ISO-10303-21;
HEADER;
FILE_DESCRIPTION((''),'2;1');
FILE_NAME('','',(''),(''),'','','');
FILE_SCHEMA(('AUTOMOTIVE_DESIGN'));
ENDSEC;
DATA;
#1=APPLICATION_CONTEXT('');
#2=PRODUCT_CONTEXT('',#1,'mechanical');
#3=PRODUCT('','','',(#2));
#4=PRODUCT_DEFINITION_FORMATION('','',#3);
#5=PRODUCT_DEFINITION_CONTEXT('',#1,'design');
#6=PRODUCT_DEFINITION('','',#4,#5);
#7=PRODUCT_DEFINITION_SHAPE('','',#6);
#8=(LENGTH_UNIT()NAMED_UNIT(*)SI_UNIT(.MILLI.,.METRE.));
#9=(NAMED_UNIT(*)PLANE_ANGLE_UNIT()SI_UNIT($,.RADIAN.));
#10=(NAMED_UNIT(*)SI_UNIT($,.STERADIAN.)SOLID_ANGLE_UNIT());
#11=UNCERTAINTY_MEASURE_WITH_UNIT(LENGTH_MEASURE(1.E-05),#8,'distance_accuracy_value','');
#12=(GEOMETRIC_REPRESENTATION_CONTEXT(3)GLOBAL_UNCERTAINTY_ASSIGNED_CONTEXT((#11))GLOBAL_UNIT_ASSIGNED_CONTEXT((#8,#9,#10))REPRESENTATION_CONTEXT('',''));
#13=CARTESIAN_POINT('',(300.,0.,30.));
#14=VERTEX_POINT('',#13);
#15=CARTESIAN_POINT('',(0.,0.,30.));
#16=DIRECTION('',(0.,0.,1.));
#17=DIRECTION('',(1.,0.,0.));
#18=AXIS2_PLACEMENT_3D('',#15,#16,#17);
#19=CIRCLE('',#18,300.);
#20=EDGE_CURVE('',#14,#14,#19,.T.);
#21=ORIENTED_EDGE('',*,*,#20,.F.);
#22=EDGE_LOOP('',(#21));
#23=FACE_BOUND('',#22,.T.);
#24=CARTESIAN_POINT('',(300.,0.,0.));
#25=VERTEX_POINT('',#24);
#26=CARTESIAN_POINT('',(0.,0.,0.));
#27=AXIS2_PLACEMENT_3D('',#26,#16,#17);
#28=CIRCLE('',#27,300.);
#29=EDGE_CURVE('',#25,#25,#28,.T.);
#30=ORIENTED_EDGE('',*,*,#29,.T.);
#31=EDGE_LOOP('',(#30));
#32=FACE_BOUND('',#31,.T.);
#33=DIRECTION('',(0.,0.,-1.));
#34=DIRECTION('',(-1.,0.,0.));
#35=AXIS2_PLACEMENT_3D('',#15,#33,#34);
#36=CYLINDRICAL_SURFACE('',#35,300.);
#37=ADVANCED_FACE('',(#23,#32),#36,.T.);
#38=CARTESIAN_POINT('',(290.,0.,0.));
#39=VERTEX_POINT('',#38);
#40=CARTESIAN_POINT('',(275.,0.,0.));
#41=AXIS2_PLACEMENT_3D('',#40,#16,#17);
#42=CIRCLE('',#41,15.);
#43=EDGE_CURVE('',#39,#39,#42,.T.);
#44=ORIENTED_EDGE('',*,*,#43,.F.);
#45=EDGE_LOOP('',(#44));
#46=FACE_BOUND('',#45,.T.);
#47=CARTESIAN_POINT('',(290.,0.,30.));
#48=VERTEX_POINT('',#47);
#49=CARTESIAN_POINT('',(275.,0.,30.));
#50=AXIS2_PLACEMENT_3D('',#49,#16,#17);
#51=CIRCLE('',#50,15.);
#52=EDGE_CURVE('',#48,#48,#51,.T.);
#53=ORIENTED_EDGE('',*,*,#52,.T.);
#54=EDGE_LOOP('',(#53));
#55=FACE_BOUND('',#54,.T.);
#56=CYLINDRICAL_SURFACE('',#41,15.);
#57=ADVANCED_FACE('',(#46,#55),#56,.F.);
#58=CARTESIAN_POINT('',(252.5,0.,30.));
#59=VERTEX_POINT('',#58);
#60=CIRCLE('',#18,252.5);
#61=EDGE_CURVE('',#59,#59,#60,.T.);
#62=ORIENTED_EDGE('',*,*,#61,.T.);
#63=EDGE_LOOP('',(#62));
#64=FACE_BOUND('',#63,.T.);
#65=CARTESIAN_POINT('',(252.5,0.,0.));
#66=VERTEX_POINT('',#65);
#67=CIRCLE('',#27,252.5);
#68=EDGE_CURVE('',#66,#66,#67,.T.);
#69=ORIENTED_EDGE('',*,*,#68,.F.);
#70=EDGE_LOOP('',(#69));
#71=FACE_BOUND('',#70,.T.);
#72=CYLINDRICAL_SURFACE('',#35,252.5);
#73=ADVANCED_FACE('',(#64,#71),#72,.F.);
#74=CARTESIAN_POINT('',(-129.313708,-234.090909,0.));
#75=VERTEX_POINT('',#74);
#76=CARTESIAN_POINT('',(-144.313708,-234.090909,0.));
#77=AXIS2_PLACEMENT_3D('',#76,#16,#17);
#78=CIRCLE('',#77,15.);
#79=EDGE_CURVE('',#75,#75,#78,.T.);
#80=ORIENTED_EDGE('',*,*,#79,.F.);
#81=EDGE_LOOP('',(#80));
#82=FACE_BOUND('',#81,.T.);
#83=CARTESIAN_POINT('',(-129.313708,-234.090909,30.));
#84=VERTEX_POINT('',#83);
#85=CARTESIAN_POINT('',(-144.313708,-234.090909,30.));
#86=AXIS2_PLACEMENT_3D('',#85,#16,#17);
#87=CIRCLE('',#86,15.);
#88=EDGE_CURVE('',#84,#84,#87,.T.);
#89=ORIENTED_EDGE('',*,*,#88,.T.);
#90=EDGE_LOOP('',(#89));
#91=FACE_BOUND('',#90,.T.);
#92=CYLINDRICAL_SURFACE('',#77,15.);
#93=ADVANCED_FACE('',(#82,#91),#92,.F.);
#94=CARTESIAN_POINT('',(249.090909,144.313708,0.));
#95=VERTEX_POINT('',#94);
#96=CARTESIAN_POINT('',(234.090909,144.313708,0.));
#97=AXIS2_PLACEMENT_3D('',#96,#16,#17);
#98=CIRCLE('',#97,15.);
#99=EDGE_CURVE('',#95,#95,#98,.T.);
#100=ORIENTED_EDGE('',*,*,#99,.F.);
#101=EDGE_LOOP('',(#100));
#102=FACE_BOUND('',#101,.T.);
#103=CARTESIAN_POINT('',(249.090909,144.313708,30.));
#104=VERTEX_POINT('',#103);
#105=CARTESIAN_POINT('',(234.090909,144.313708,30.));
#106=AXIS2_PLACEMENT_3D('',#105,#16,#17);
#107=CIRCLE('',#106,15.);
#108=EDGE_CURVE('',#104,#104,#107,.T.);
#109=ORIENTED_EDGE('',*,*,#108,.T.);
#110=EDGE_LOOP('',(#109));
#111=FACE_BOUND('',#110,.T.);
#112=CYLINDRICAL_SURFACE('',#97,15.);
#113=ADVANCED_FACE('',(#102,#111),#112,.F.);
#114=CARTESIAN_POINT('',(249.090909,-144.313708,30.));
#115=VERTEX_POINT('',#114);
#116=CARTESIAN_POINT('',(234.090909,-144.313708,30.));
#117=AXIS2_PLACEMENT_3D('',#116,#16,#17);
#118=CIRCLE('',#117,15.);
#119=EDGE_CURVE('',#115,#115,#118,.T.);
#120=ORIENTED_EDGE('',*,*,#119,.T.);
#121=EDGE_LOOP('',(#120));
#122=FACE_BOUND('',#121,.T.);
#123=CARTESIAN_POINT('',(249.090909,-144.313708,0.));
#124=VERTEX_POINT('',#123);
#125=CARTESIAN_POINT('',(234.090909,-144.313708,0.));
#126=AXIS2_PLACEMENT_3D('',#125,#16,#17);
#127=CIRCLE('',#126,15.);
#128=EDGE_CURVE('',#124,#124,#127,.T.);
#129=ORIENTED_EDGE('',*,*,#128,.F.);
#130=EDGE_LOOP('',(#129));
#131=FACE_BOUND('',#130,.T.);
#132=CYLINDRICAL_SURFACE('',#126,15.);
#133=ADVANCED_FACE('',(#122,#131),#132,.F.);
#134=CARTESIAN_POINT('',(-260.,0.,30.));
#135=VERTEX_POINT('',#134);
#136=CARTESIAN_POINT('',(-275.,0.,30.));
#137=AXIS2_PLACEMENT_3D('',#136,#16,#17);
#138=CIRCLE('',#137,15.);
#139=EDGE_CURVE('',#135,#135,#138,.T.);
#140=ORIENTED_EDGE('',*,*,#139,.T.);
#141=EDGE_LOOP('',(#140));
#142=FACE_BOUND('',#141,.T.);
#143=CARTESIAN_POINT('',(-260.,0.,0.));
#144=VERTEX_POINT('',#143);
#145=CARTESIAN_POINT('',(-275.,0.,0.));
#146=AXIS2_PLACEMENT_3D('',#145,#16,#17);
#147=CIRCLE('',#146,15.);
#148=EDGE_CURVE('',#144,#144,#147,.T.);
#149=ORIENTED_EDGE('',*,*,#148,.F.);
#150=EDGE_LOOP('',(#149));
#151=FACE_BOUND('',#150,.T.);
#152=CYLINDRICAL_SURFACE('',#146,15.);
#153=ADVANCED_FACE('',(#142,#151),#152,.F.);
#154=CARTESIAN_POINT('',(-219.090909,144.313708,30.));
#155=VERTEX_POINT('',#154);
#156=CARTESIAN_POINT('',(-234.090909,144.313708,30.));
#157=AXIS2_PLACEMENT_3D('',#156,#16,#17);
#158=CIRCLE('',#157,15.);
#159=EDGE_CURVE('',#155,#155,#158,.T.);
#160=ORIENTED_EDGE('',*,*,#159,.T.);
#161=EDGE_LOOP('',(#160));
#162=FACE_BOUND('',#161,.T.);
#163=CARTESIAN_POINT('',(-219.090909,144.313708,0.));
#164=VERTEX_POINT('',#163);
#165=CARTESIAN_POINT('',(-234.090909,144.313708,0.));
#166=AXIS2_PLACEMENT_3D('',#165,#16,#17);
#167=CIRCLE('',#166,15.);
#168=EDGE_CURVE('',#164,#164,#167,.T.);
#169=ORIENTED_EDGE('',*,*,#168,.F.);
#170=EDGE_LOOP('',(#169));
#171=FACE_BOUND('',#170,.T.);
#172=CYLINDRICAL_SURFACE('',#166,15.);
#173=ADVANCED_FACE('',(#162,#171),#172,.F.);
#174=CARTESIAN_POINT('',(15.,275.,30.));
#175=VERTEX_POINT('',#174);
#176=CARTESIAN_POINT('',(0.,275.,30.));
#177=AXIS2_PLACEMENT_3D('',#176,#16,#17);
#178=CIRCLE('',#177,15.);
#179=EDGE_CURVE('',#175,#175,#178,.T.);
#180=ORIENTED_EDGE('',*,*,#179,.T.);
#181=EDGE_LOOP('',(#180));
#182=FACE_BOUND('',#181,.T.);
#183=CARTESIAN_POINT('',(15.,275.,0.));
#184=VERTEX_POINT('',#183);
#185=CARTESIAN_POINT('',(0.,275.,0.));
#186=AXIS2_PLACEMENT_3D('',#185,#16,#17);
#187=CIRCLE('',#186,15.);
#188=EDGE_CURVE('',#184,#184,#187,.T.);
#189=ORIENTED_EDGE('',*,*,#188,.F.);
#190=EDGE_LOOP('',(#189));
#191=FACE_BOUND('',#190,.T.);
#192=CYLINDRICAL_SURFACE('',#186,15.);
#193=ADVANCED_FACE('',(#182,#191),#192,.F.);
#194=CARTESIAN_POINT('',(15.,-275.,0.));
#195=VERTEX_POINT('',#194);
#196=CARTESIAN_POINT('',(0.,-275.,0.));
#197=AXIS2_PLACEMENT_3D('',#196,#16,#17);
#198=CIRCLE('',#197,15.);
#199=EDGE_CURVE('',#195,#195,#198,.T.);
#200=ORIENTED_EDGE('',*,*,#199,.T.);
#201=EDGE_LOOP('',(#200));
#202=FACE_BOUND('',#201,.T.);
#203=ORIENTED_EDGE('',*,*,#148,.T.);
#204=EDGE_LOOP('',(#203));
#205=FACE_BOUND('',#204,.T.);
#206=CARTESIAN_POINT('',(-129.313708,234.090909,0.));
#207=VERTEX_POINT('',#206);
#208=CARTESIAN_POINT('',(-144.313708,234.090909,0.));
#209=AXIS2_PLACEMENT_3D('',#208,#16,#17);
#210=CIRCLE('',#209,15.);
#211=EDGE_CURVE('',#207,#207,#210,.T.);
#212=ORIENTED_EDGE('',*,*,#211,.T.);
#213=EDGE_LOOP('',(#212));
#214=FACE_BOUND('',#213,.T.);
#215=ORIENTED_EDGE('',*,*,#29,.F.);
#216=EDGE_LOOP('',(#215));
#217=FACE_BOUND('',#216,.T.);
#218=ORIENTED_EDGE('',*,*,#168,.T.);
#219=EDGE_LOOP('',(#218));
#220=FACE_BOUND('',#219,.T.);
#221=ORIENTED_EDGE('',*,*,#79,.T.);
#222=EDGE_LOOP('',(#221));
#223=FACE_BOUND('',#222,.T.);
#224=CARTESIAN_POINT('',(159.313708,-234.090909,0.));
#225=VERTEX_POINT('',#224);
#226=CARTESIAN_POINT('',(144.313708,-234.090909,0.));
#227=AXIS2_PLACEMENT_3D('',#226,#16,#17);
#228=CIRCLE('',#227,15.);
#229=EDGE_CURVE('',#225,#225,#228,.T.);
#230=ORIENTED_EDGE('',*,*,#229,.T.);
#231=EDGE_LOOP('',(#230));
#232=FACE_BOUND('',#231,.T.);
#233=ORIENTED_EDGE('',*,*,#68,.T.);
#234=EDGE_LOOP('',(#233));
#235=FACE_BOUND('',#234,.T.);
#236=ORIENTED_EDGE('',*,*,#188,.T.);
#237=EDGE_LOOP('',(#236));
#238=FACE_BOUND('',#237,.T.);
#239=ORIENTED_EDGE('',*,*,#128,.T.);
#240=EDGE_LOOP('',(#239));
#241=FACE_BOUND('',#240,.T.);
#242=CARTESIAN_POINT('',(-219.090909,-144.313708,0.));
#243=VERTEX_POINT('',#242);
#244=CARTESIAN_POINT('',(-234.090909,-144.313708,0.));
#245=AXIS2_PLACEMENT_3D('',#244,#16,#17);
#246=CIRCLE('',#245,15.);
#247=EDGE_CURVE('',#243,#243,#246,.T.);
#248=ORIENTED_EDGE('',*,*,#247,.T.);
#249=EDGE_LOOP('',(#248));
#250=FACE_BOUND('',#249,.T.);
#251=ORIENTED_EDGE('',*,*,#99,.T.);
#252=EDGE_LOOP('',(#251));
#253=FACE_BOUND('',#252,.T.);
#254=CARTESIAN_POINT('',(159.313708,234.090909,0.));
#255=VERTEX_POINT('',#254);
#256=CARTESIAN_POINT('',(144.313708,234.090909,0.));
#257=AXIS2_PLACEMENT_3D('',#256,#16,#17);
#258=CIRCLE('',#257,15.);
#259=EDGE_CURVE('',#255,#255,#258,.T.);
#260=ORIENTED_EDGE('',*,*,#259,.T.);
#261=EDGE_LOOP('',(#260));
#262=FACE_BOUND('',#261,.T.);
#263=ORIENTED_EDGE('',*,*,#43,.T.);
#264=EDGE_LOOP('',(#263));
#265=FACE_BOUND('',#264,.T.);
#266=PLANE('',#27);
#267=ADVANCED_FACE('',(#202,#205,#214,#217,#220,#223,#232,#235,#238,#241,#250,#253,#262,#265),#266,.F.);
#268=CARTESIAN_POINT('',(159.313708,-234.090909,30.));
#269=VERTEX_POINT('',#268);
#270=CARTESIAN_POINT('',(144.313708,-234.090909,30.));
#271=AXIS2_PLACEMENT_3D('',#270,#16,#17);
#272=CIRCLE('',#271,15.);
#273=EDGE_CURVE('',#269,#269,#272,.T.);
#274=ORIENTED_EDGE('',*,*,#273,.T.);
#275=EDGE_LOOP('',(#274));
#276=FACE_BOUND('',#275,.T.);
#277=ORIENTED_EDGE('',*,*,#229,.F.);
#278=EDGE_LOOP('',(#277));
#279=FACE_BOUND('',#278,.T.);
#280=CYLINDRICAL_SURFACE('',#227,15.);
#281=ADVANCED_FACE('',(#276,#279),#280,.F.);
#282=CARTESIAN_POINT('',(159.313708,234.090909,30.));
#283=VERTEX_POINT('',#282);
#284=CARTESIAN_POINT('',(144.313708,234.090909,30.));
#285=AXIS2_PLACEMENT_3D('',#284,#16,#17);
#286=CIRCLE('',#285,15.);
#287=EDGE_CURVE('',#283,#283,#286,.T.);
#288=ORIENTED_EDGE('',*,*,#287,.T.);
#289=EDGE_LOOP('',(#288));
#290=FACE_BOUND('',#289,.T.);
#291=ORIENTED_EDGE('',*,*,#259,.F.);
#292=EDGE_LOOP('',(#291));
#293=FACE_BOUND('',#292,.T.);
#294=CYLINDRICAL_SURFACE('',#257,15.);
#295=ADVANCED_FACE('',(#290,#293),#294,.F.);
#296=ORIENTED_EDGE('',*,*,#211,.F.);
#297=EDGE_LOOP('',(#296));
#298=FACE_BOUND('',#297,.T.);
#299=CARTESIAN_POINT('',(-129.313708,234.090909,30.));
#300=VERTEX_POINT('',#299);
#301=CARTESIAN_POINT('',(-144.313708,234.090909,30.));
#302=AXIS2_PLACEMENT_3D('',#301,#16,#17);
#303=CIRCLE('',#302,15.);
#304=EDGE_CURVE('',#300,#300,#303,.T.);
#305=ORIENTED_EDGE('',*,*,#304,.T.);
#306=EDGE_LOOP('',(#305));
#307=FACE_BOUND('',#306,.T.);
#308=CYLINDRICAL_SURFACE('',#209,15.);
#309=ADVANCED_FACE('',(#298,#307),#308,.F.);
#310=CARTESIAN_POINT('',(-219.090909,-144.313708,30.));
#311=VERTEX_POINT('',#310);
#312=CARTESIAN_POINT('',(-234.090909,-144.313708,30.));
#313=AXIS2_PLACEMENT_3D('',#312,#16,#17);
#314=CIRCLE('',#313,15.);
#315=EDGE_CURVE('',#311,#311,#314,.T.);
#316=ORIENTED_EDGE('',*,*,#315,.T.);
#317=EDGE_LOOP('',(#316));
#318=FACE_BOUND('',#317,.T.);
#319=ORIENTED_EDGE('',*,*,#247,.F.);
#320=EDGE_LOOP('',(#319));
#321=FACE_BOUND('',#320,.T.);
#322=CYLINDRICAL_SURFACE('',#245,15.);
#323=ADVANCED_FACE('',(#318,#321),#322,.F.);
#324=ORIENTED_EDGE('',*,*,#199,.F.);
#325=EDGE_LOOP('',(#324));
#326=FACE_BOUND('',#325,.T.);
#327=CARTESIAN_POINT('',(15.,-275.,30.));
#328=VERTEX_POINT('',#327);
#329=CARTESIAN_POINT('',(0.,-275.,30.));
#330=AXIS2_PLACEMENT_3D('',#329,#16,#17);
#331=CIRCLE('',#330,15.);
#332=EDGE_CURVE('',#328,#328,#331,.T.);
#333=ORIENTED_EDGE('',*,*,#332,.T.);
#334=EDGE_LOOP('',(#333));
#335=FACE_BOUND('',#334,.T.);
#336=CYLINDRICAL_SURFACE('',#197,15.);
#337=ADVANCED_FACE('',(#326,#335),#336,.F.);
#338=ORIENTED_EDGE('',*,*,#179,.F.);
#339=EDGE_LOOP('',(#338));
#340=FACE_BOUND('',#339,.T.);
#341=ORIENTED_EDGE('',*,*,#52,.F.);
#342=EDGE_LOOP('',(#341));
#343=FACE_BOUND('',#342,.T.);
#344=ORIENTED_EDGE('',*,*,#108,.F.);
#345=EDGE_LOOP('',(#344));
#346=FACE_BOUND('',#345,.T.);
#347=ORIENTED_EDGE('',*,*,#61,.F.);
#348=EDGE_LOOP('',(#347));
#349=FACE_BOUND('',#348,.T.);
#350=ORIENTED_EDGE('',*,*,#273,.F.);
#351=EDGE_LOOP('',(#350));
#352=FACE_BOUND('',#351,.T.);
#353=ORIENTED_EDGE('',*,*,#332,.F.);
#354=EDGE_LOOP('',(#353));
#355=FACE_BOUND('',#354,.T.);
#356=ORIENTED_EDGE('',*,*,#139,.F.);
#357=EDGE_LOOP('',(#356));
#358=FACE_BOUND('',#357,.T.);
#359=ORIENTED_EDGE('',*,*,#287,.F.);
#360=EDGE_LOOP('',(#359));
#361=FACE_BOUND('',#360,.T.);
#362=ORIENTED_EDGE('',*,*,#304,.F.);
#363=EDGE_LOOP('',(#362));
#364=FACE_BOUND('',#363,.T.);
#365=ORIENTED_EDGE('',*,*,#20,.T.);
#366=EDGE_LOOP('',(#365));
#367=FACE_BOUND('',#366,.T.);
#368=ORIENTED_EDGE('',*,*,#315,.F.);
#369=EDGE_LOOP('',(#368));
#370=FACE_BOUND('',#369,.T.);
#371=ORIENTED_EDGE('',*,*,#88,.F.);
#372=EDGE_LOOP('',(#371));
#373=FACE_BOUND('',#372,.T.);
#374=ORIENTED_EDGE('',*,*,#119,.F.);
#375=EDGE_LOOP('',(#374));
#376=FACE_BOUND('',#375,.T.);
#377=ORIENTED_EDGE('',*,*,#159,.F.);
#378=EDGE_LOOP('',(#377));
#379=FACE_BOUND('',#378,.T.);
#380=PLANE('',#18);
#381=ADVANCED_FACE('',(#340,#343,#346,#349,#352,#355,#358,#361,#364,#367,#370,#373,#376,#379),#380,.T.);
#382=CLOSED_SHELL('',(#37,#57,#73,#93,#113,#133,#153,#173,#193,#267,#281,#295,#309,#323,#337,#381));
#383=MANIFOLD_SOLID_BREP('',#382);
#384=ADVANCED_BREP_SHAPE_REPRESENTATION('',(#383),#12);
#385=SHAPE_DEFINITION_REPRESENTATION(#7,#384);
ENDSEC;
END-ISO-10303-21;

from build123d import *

# Parameters (mm, degrees)
IZIM1_R                     = 300
IZIM1_R_2                   = 252.5
Y_KSEKLIK_EKSTR_ZYON1_DEPTH = 30
IZIM2_R                     = 15
KES_EKSTR_ZYON1_DEPTH       = 30


with BuildPart() as part:
    # Çizim1 → Yükseklik-Ekstrüzyon1 (new body)
    with BuildSketch(Plane.XY):
        Circle(IZIM1_R)
        Circle(IZIM1_R_2, mode=Mode.SUBTRACT)
    extrude(amount=Y_KSEKLIK_EKSTR_ZYON1_DEPTH)

    # Çizim2 → Kes-Ekstrüzyon1 (cut)
    with BuildSketch(Plane.XY.offset(30)):
        with Locations((0, 275)):
            Circle(IZIM2_R)
        with Locations((275, 0)):
            Circle(IZIM2_R)
        with Locations((-275, 0)):
            Circle(IZIM2_R)
        with Locations((0, -275)):
            Circle(IZIM2_R)
        with Locations((-144.313707876, -234.090909091)):
            Circle(IZIM2_R)
        with Locations((-234.090909091, -144.313707876)):
            Circle(IZIM2_R)
        with Locations((-234.090909091, 144.313707876)):
            Circle(IZIM2_R)
        with Locations((144.313707876, -234.090909091)):
            Circle(IZIM2_R)
        with Locations((234.090909091, -144.313707876)):
            Circle(IZIM2_R)
        with Locations((234.090909091, 144.313707876)):
            Circle(IZIM2_R)
        with Locations((-144.313707876, 234.090909091)):
            Circle(IZIM2_R)
        with Locations((144.313707876, 234.090909091)):
            Circle(IZIM2_R)
    extrude(amount=-KES_EKSTR_ZYON1_DEPTH, mode=Mode.SUBTRACT)


solid = part.part
